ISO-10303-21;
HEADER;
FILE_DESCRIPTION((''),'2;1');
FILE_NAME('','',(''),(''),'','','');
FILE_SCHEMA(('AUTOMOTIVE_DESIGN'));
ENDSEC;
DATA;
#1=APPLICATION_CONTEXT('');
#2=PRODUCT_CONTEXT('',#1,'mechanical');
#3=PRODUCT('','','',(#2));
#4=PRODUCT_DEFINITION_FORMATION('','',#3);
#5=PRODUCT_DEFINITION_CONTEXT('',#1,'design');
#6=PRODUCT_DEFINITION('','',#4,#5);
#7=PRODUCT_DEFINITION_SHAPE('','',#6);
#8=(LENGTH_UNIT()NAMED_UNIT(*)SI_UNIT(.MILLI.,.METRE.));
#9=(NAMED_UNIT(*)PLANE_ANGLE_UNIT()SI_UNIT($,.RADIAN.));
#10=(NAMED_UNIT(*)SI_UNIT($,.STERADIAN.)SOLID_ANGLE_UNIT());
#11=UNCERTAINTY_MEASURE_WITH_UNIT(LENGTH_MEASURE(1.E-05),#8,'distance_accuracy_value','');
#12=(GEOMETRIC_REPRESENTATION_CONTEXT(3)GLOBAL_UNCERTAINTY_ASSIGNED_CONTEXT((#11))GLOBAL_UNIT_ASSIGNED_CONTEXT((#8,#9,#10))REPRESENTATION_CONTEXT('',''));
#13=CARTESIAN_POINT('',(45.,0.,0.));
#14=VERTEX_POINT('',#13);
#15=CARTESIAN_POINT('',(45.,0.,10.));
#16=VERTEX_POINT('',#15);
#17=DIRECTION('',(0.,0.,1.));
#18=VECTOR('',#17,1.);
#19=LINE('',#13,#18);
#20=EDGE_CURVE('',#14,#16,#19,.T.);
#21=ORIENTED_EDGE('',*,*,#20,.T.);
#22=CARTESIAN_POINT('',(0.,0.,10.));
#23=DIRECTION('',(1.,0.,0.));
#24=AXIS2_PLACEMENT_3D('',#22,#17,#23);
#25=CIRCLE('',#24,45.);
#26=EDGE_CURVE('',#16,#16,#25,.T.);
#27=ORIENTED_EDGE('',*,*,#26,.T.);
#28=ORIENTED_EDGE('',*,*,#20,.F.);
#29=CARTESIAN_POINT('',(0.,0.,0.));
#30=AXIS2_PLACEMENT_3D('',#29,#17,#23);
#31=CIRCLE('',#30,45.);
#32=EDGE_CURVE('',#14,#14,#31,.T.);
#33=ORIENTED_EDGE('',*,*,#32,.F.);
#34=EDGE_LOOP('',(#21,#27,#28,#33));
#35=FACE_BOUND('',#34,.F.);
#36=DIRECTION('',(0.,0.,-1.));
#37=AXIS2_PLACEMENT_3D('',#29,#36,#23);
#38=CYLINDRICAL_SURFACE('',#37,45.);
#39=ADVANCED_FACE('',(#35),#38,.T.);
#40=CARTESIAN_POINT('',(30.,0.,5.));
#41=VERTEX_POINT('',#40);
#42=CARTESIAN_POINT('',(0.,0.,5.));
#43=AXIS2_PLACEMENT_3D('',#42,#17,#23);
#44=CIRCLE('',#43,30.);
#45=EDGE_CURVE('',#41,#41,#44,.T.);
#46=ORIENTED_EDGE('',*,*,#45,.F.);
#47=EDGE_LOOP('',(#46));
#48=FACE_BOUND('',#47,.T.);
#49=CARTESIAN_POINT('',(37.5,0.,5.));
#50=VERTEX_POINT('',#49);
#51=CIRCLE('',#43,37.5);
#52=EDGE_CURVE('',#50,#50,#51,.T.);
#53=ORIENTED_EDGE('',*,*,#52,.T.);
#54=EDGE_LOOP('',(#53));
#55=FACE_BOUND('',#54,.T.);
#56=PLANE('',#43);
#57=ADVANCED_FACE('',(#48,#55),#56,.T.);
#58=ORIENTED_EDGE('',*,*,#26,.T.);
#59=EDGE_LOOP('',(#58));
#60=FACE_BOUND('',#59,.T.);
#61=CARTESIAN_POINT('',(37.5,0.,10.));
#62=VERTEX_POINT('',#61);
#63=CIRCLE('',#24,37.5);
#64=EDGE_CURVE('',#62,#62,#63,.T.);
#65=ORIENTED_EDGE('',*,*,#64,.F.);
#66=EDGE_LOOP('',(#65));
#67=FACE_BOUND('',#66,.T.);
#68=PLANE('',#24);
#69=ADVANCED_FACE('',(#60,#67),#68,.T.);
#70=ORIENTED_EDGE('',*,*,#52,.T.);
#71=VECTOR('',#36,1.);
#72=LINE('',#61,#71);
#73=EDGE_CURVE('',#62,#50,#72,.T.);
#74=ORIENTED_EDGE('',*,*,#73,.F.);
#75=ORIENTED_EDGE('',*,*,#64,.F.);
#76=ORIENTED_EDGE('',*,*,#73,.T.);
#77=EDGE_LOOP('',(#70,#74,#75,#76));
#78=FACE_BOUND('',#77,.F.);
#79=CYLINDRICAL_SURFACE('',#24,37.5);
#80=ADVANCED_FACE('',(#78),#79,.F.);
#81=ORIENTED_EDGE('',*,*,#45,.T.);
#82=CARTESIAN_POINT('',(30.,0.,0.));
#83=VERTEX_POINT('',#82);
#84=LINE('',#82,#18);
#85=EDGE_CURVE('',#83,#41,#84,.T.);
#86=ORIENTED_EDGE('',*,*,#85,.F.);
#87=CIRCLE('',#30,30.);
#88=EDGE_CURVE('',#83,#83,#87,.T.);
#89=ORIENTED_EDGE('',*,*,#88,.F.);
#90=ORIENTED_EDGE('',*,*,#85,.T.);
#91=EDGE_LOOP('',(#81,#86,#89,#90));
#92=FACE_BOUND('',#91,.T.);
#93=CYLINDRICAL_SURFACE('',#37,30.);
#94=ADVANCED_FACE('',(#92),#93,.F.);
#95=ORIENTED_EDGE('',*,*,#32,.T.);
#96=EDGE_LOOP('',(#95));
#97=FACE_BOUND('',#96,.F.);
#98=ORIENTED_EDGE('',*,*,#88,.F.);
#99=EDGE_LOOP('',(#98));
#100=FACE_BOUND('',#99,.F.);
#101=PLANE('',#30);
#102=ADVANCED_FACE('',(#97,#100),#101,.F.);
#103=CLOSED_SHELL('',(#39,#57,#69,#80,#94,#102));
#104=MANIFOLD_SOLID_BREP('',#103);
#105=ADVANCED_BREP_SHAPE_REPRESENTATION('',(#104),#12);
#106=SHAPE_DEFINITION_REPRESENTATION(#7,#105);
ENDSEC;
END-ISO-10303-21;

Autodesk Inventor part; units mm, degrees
ref_plane "YZ Plane" through (0, 0, 0) normal (1, 0, 0) x (0, 1, 0)
ref_plane "XZ Plane" through (0, 0, 0) normal (0, 1, 0) x (-1, 0, 0)
ref_plane "XY Plane" through (0, 0, 0) normal (0, 0, 1) x (1, 0, 0)
sketch "Эскиз1" plane through (0, 0, 0) normal (0, 0, 1) x (1, 0, 0)
  circle A0 centre (0, 0) radius 30
  circle A1 centre (0, 0) radius 45
  dimension "d0" = 60
  dimension "d1" = 90
extrude "Выдавливание1" add sketch "Эскиз1" along normal blind 10
sketch "Эскиз2" plane through (0, 0, 10) normal (0, 0, 1) x (1, 0, 0)
  circle A0 centre (0, 0) radius 30 projected
  circle A1 centre (0, 0) radius 37.5
  dimension "d4" = 75
extrude "Выдавливание2" cut sketch "Эскиз2" against normal blind 5
properties part number "Маслоотражательное кольцо" material "Сталь, литейная"
